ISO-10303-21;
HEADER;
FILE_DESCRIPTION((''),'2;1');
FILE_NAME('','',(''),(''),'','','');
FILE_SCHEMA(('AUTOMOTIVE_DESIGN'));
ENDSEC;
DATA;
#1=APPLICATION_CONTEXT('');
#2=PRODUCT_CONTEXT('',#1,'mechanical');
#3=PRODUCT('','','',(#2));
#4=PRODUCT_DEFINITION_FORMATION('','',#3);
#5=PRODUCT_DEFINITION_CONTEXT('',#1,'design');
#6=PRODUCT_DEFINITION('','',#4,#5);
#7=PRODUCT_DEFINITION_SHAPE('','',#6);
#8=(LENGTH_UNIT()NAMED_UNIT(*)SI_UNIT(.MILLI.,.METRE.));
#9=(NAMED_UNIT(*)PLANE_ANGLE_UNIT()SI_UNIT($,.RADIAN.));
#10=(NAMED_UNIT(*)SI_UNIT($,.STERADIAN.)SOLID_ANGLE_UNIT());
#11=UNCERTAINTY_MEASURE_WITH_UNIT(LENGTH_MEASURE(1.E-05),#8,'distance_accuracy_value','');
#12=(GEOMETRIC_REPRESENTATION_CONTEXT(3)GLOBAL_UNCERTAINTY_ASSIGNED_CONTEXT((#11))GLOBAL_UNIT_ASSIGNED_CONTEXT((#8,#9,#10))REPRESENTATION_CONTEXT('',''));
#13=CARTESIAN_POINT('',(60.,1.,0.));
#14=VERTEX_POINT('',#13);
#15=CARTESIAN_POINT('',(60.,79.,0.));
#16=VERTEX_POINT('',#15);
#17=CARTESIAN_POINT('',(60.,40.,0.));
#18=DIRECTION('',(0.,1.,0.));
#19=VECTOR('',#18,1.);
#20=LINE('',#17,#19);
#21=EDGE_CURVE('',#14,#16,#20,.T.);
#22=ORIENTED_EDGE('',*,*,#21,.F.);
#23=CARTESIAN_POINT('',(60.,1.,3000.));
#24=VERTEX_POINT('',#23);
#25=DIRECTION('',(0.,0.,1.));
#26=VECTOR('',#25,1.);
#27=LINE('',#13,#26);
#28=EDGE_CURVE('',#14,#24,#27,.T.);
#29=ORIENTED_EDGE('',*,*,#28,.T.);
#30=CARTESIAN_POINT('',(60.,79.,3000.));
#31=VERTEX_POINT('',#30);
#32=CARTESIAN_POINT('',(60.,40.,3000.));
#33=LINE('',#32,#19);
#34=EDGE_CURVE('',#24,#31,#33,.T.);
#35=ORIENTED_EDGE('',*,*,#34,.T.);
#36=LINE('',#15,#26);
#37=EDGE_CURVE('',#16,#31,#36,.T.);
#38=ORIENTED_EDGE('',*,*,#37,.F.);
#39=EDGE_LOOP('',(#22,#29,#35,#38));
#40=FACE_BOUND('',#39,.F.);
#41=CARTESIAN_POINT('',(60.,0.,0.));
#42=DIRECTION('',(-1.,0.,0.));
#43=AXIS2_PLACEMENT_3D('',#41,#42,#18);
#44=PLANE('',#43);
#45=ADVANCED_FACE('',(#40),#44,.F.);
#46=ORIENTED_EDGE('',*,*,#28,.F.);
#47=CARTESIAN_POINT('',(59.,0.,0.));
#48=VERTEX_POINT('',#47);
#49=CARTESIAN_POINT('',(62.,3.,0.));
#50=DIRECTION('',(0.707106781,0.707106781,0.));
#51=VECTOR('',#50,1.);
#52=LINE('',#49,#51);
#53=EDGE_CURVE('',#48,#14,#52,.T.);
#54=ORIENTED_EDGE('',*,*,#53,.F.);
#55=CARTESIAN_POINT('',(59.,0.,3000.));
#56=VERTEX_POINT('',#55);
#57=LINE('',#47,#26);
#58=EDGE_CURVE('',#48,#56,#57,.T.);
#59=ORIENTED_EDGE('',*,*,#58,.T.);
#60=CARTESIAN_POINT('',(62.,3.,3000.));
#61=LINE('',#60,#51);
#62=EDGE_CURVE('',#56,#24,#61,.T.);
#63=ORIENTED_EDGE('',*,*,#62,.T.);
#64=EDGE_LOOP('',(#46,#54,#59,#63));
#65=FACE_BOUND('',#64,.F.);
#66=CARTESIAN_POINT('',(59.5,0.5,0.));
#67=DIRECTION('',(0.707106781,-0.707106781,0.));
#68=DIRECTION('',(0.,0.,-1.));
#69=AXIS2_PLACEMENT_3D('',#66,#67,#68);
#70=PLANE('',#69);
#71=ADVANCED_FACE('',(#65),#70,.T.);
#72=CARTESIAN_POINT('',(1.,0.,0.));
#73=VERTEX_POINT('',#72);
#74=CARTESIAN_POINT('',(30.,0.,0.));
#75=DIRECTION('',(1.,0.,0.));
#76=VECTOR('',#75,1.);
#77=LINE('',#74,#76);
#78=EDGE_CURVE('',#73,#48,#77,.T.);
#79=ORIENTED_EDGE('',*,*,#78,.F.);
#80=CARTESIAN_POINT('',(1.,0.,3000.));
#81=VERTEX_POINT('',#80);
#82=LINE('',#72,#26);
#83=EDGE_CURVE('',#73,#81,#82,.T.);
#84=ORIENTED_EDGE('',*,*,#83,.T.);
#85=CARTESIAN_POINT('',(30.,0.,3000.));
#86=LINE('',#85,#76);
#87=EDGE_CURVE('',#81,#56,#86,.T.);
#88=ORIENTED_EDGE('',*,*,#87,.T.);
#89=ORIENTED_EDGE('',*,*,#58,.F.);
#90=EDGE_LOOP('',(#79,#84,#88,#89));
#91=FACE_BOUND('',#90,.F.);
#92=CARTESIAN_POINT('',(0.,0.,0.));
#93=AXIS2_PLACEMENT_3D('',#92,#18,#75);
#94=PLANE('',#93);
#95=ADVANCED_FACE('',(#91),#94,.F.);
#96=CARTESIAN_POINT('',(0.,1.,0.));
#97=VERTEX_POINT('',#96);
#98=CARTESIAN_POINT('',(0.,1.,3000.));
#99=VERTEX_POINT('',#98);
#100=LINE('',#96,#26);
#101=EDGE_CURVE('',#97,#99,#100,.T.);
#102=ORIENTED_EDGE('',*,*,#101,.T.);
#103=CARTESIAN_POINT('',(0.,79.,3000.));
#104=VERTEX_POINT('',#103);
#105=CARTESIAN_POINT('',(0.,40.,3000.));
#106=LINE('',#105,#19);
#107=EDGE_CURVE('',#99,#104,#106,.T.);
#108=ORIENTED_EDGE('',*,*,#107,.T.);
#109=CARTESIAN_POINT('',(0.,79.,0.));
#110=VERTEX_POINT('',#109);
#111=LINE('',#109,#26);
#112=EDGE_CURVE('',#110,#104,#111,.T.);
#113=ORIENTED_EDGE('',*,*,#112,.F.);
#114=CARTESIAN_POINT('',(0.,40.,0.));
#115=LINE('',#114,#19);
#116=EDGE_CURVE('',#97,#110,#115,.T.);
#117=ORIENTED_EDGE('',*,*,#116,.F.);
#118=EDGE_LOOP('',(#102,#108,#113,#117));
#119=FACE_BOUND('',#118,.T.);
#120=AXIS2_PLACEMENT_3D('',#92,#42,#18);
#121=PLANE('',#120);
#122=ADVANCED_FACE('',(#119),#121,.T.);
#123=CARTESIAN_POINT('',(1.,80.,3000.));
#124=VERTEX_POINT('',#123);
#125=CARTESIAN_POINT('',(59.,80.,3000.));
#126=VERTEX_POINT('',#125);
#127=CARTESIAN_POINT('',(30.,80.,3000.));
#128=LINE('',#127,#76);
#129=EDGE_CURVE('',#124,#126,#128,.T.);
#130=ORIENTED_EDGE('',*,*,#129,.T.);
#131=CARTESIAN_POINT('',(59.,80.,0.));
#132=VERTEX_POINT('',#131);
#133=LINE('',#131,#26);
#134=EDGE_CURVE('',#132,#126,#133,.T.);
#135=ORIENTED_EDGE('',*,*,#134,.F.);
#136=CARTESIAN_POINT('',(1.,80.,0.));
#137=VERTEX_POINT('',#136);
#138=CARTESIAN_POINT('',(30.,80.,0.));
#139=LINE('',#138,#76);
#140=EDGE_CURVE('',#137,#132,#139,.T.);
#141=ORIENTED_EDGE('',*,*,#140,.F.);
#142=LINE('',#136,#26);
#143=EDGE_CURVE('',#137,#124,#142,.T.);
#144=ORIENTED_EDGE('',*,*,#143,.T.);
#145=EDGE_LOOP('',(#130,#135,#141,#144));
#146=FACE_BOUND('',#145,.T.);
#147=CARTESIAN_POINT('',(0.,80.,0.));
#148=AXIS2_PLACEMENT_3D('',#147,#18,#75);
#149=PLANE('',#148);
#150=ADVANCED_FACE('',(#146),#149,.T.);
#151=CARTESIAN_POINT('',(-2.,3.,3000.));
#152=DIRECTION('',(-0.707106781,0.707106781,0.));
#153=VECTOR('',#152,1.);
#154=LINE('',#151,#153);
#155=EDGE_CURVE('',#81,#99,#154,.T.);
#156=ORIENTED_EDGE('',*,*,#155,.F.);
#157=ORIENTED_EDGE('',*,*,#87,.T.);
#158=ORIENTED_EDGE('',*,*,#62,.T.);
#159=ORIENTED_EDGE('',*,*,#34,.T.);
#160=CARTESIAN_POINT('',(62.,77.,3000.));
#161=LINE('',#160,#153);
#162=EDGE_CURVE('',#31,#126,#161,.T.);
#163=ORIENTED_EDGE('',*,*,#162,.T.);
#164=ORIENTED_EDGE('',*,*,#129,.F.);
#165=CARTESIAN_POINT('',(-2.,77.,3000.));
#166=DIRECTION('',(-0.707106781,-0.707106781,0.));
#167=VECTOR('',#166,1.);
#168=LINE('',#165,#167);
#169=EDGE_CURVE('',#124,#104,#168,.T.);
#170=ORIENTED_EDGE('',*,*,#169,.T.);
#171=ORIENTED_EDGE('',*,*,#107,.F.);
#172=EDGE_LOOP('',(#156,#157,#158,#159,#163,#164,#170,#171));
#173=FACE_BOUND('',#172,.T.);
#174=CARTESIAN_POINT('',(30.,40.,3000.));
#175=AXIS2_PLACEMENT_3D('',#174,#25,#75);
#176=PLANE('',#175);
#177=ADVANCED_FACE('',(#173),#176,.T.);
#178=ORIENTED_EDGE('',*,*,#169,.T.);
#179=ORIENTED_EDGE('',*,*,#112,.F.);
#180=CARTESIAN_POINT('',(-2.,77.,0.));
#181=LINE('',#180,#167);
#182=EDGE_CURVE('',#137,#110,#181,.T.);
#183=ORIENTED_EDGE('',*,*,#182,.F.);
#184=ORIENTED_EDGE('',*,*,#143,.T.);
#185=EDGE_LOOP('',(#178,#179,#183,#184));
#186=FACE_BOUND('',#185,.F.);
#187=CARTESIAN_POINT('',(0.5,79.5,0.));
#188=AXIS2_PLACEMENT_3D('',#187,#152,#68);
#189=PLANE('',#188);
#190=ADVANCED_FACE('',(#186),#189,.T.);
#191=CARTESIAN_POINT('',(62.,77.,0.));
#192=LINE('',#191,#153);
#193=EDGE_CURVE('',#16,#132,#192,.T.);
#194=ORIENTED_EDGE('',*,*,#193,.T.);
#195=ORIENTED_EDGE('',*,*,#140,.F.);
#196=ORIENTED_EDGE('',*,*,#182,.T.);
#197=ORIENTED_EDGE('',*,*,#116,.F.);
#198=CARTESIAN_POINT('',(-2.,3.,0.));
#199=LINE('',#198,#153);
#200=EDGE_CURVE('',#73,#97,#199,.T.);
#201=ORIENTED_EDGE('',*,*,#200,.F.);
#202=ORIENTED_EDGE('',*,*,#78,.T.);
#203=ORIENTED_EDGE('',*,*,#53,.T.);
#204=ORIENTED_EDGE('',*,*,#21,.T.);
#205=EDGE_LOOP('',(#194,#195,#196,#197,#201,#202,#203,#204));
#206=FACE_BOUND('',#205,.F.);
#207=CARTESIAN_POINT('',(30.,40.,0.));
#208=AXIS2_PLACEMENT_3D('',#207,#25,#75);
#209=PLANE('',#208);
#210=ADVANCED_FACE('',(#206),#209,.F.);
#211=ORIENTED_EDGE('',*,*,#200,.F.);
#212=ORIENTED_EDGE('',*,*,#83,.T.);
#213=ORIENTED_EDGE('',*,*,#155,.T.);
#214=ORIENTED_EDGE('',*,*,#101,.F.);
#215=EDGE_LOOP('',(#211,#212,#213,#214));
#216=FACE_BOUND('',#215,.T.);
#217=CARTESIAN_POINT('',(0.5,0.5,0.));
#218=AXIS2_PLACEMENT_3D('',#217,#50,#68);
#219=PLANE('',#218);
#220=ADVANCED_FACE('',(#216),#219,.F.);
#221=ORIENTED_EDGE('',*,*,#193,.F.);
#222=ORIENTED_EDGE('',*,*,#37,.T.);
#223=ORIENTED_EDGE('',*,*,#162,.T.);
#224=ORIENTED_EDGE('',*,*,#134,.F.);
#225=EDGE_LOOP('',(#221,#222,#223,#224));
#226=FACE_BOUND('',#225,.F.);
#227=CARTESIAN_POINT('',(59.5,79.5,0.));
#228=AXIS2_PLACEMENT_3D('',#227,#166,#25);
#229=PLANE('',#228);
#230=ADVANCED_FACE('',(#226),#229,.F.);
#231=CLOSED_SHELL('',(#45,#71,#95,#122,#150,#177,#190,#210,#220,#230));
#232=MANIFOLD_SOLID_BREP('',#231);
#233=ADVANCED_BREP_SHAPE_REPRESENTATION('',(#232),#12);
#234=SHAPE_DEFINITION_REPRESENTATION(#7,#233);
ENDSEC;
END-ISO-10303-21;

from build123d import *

# Parameters (mm, degrees)
F0_W     = 60
F0_H     = 80
F1_DEPTH = 3000
F2_SIZE  = 1
F3_SIZE  = 1
F4_SIZE  = 1
F5_SIZE  = 1


with BuildPart() as f1:
    # F0 (on Top) → F1 (new body)
    with BuildSketch(Plane.XY):
        with Locations((30, 40)):
            Rectangle(F0_W, F0_H)
    extrude(amount=F1_DEPTH)

    # F2
    f2_edges = [f1.edges().sort_by_distance(p)[0] for p in [
        (60, 0, 1500),
    ]]
    chamfer(f2_edges, length=F2_SIZE)

    # F3
    f3_edges = [f1.edges().sort_by_distance(p)[0] for p in [
        (0, 0, 1500),
    ]]
    chamfer(f3_edges, length=F3_SIZE)

    # F4
    f4_edges = [f1.edges().sort_by_distance(p)[0] for p in [
        (60, 80, 1500),
    ]]
    chamfer(f4_edges, length=F4_SIZE)

    # F5
    f5_edges = [f1.edges().sort_by_distance(p)[0] for p in [
        (0, 80, 1500),
    ]]
    chamfer(f5_edges, length=F5_SIZE)


solid = f1.part
